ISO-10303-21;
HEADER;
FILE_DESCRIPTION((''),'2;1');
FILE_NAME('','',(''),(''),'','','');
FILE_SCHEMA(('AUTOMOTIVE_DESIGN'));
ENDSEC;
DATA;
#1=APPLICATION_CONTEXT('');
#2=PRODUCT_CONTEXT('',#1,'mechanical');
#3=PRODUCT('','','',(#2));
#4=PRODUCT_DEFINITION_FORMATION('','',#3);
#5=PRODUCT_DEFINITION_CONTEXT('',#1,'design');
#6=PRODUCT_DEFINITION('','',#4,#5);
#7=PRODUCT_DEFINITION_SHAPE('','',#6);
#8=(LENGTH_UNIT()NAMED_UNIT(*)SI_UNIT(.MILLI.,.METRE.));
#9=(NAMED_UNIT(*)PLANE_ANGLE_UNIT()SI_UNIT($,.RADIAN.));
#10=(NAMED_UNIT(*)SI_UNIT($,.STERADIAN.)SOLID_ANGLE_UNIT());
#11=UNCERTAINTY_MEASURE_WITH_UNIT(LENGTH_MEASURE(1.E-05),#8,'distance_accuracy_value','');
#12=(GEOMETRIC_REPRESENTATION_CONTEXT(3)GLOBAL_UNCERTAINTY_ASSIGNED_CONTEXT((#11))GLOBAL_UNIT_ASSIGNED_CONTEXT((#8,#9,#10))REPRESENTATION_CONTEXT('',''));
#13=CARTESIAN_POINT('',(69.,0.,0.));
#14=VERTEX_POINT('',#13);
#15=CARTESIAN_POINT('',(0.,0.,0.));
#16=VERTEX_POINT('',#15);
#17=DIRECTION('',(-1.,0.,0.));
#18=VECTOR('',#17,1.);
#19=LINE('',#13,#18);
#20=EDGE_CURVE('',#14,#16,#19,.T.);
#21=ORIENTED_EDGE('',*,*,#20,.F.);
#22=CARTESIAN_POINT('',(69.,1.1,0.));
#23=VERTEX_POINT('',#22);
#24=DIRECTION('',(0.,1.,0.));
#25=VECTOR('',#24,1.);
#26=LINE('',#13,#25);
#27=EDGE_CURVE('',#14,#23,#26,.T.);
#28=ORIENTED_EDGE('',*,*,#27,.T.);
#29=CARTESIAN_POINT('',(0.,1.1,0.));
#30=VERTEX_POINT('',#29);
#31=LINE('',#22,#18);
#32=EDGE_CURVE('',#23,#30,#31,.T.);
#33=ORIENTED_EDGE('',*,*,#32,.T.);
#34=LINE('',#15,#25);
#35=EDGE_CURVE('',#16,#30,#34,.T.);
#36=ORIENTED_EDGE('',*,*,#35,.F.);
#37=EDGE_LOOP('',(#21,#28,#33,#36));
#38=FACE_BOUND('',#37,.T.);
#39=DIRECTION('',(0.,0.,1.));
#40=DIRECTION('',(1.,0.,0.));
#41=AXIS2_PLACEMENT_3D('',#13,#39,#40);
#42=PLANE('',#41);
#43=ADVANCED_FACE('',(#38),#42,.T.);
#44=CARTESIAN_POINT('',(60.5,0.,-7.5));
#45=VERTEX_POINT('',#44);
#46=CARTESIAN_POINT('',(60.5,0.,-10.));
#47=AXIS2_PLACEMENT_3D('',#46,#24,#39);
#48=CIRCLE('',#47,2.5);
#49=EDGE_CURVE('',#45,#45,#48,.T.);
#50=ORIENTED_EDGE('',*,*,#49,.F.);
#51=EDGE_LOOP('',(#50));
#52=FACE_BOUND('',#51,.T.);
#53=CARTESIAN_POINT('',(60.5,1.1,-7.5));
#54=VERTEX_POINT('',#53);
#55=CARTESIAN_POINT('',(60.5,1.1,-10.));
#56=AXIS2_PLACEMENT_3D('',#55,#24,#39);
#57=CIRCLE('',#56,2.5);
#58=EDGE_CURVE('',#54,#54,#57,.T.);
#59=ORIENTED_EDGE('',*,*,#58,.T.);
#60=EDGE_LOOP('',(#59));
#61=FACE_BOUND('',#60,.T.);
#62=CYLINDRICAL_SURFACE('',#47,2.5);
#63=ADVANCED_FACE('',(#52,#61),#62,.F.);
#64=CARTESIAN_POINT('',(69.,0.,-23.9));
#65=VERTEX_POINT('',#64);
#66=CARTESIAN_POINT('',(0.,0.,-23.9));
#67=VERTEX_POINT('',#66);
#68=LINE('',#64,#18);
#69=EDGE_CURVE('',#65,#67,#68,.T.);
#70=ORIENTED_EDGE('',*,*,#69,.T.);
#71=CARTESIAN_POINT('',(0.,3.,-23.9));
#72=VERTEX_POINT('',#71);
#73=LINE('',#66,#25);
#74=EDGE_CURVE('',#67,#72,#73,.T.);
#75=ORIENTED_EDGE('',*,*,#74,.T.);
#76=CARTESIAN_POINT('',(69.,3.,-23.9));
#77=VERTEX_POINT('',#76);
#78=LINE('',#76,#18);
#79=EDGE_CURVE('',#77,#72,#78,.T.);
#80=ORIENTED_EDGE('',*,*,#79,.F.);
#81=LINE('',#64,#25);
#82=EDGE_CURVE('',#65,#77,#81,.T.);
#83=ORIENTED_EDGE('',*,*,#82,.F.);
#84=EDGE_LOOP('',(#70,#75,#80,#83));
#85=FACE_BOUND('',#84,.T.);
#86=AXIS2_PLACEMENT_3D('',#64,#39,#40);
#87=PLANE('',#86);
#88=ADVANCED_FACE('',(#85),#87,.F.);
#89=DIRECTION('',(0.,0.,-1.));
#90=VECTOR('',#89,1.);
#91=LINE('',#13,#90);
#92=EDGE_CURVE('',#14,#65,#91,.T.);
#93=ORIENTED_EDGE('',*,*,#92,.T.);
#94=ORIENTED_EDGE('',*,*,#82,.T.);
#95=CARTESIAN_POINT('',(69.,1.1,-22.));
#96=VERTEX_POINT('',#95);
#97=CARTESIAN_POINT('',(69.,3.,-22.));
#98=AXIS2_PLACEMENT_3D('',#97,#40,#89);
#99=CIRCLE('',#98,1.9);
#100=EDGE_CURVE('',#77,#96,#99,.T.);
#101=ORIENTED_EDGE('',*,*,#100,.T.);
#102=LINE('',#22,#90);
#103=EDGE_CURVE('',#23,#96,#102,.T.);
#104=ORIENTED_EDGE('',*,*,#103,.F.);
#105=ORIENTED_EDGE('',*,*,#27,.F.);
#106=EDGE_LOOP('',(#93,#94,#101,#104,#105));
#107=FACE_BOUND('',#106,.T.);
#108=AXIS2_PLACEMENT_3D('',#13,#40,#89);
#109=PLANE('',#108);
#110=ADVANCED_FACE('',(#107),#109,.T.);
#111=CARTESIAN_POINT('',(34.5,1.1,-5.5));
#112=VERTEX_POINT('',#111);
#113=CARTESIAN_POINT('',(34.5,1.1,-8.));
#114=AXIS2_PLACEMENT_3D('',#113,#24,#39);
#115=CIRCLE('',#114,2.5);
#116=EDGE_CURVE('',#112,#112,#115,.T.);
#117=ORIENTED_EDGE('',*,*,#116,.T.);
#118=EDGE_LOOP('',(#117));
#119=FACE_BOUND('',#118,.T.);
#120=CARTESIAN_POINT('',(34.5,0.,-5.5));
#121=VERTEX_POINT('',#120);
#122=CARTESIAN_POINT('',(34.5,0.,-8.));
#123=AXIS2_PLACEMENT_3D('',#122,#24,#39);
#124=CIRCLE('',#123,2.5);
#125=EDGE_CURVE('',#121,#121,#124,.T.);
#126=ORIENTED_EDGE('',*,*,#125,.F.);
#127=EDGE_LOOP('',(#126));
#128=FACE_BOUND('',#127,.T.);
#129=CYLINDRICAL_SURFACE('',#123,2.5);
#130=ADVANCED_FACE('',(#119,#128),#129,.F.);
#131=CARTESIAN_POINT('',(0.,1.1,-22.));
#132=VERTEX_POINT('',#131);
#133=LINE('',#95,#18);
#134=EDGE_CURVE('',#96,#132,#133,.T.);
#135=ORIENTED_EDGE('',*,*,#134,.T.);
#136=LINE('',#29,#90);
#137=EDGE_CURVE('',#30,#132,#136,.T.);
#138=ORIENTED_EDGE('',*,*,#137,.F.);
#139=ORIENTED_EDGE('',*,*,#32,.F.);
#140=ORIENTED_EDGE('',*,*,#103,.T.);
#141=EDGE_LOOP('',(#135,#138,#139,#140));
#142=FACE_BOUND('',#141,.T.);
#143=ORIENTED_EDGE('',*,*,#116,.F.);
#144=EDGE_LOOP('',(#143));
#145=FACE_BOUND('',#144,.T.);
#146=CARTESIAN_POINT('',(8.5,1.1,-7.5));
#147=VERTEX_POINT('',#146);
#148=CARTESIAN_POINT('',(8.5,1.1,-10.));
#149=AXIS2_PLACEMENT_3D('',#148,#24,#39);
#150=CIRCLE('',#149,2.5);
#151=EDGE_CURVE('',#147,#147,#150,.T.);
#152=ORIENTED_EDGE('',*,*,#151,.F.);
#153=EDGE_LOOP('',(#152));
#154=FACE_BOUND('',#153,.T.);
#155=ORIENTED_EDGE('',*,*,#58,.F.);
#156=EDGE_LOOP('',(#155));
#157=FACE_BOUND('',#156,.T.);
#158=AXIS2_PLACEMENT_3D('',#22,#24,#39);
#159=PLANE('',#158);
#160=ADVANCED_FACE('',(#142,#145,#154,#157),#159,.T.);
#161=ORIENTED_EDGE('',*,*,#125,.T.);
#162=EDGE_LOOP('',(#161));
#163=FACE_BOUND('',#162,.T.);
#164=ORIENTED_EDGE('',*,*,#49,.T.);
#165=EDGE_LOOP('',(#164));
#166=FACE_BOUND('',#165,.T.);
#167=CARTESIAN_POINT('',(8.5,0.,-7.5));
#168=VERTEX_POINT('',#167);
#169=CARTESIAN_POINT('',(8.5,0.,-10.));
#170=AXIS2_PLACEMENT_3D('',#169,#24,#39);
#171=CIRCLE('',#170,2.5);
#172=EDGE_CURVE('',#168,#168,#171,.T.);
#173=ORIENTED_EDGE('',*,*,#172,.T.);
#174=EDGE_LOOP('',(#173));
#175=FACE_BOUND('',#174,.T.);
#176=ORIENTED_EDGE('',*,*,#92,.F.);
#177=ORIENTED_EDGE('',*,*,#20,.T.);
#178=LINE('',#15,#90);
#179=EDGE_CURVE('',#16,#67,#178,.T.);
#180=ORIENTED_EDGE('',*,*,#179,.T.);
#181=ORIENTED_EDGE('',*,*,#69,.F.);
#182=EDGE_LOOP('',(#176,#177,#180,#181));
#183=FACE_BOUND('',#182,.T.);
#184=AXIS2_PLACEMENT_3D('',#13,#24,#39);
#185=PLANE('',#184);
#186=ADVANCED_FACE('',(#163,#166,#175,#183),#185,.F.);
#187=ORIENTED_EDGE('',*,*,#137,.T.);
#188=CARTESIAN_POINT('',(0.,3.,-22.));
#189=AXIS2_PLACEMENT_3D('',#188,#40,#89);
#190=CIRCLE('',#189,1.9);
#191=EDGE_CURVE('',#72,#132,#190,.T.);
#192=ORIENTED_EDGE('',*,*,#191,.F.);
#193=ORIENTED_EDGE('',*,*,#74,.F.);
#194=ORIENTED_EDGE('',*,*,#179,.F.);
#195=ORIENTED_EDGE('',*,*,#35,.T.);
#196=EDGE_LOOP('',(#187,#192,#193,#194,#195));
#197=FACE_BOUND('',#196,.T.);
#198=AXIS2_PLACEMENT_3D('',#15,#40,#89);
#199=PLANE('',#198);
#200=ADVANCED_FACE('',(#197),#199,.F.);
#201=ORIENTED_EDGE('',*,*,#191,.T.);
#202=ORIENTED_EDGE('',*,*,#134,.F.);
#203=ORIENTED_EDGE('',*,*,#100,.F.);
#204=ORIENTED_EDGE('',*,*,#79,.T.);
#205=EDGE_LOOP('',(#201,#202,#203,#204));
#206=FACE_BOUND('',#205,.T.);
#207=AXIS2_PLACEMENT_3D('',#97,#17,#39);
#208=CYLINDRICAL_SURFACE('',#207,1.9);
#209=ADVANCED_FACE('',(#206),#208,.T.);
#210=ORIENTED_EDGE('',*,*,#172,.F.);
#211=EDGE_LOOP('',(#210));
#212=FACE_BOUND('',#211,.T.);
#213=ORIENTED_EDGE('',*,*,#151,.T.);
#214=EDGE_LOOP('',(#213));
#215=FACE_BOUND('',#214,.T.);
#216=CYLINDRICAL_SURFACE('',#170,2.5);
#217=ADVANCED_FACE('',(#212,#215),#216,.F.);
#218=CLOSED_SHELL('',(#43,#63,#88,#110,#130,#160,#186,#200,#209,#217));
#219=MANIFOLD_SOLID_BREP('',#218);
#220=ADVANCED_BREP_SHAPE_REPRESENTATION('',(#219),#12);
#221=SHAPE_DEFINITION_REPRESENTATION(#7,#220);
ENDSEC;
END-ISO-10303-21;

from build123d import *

# Parameters (mm, degrees)
SKETCH_1_R          = 1.9
EXTRUDE_1_DEPTH     = 69
SKETCH_2_R          = 2.5
CUT_EXTRUDE_1_DEPTH = 2.1


with BuildPart() as part:
    # 草图1 → 凸台-拉伸1 (new body)
    with BuildSketch(Plane(origin=(0, 0, 0), x_dir=(0, 0, -1), z_dir=(1, 0, 0))):
        with Locations((22, 3)):
            Circle(SKETCH_1_R)
        with BuildLine():
            Line((0, 1.1), (0, 0))
            Line((0, 0), (19, 0))
            Line((19, 0), (23.9, 0))
            Line((23.9, 0), (23.9, 3))
            ThreePointArc((23.9, 3), (23.343502884, 1.656497116), (22, 1.1))
            Line((22, 1.1), (19, 1.1))
            Line((19, 1.1), (0, 1.1))
        make_face()
    extrude(amount=EXTRUDE_1_DEPTH)

    # 草图2 → 切除-拉伸1 (cut, through all)
    with BuildSketch(Plane(origin=(0, 1.1, 0), x_dir=(1, 0, 0), z_dir=(0, 1, 0))):
        with Locations((8.5, 10)):
            Circle(SKETCH_2_R)
        with Locations((60.5, 10)):
            Circle(SKETCH_2_R)
        with Locations((34.5, 8)):
            Circle(SKETCH_2_R)
    extrude(amount=-CUT_EXTRUDE_1_DEPTH, mode=Mode.SUBTRACT)


solid = part.part
